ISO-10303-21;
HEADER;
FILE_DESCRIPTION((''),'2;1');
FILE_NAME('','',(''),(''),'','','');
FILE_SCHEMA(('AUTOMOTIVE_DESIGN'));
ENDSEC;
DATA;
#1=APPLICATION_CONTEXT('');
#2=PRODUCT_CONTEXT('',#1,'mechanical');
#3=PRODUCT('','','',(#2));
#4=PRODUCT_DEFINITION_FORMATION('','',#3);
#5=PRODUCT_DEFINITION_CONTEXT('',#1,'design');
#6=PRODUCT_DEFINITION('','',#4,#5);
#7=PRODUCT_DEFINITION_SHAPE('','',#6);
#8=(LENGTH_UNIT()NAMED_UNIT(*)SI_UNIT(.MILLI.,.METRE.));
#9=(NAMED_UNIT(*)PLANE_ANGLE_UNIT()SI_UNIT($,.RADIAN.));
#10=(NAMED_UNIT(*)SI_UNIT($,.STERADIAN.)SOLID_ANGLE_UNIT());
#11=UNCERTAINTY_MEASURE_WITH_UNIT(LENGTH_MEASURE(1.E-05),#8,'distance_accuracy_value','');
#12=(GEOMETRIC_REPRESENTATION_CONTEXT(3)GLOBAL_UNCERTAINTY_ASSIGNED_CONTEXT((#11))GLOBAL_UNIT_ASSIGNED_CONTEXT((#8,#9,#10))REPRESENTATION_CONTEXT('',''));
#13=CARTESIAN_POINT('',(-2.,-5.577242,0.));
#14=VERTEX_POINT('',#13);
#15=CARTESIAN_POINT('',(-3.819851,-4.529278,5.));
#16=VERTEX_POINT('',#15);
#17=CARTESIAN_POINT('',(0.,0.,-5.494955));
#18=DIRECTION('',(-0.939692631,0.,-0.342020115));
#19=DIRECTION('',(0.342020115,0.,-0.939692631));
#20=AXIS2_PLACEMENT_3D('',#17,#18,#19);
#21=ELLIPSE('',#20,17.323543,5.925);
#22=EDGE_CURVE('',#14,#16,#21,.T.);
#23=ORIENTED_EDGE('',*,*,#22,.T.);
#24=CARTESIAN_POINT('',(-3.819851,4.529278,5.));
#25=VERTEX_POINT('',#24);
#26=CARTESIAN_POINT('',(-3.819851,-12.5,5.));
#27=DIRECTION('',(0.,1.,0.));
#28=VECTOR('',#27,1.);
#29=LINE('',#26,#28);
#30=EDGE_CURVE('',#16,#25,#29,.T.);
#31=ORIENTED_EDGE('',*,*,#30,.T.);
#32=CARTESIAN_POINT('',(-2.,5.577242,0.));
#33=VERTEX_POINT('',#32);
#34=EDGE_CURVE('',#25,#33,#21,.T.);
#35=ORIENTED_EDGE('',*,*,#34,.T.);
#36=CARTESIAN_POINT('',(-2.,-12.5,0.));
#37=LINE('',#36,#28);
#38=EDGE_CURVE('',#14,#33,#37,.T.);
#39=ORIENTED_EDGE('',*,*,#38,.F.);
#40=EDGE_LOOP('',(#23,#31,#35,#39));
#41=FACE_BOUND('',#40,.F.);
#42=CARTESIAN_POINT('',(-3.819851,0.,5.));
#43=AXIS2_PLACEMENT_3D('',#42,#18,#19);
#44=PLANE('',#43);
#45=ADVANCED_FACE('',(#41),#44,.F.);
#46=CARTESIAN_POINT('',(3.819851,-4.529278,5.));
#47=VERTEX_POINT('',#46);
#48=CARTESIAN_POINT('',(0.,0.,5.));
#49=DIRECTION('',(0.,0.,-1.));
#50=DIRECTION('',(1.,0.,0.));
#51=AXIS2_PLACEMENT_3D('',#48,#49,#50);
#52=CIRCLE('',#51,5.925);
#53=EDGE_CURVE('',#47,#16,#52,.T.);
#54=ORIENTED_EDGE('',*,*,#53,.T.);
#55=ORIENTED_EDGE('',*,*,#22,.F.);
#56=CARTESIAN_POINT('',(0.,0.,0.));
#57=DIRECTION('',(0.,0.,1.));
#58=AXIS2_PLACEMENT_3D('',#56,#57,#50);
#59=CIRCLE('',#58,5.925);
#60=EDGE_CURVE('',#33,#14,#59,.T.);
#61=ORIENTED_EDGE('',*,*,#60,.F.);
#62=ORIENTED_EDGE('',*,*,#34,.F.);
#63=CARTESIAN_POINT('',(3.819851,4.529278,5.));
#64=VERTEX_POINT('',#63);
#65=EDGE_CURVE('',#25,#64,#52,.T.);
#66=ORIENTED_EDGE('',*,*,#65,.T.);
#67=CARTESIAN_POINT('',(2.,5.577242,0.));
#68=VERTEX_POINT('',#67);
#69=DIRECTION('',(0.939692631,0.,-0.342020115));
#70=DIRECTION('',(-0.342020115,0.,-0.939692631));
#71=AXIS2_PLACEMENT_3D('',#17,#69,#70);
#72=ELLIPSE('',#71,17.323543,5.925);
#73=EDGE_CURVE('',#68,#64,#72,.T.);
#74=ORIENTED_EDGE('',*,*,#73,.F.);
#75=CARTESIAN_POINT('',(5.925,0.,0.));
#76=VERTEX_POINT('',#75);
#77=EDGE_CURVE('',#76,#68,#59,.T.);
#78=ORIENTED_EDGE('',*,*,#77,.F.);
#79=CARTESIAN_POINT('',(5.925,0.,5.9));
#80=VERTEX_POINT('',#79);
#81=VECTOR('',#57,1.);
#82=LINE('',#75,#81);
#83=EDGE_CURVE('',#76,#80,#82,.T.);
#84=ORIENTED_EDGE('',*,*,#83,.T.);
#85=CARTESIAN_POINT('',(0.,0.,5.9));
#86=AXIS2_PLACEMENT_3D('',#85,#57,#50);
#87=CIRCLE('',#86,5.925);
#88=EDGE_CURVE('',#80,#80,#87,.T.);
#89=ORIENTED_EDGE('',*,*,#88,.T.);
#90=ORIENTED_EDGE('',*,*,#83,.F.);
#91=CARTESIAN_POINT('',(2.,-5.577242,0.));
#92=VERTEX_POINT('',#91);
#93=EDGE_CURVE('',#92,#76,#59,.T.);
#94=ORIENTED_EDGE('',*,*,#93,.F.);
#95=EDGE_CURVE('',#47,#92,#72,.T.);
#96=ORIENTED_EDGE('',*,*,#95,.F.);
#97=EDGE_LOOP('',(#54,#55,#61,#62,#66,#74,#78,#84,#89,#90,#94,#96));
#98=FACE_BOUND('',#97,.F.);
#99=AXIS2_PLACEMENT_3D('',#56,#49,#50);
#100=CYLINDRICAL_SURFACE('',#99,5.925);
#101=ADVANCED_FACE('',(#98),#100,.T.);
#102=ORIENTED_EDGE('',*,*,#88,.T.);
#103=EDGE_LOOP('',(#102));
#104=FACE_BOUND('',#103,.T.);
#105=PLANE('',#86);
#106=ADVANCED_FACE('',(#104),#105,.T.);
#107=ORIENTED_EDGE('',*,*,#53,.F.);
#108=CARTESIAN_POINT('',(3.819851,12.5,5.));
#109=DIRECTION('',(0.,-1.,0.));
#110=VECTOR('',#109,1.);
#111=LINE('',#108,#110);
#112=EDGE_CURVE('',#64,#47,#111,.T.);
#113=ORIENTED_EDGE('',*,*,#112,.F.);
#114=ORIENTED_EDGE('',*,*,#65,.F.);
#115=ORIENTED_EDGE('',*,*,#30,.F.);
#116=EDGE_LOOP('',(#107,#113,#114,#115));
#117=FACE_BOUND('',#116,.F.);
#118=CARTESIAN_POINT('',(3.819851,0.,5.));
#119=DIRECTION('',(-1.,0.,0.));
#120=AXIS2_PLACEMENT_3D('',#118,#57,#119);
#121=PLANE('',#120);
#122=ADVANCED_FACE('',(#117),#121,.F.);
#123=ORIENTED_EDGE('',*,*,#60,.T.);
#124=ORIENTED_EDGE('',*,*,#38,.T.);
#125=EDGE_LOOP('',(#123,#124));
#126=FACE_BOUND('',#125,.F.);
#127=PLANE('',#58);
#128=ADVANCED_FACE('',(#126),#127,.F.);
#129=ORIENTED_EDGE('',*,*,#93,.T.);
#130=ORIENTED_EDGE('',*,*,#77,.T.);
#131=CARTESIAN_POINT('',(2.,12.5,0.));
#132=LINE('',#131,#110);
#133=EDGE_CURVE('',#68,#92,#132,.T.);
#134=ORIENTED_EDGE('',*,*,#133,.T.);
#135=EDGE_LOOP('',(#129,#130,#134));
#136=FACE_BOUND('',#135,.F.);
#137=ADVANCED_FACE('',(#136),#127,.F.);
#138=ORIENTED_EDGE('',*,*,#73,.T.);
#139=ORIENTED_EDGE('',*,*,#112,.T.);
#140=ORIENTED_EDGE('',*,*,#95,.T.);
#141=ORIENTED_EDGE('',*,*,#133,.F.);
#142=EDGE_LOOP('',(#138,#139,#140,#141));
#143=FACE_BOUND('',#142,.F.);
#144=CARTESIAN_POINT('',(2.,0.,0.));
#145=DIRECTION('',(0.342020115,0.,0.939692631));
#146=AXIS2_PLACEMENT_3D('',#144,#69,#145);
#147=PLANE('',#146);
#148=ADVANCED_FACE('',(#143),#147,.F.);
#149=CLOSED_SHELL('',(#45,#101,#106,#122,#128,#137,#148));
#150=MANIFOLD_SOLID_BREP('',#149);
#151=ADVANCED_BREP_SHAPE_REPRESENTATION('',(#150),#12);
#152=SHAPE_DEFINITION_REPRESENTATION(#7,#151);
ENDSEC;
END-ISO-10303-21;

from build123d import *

# Parameters (mm, degrees)
F0_R     = 5.925
F1_DEPTH = 5.9
F3_DEPTH = 12.5


with BuildPart() as f1:
    # F0 (on Top) → F1 (new body)
    with BuildSketch(Plane.XY):
        Circle(F0_R)
    extrude(amount=F1_DEPTH)

    # F2 (on Front) → F3 (cut, symmetric)
    with BuildSketch(Plane.XZ):
        Polygon((-2, 0), (0, 0), (2, 0), (3.819851, 5), (-3.819851, 5), align=None)
    extrude(amount=F3_DEPTH, both=True, mode=Mode.SUBTRACT)


solid = f1.part
